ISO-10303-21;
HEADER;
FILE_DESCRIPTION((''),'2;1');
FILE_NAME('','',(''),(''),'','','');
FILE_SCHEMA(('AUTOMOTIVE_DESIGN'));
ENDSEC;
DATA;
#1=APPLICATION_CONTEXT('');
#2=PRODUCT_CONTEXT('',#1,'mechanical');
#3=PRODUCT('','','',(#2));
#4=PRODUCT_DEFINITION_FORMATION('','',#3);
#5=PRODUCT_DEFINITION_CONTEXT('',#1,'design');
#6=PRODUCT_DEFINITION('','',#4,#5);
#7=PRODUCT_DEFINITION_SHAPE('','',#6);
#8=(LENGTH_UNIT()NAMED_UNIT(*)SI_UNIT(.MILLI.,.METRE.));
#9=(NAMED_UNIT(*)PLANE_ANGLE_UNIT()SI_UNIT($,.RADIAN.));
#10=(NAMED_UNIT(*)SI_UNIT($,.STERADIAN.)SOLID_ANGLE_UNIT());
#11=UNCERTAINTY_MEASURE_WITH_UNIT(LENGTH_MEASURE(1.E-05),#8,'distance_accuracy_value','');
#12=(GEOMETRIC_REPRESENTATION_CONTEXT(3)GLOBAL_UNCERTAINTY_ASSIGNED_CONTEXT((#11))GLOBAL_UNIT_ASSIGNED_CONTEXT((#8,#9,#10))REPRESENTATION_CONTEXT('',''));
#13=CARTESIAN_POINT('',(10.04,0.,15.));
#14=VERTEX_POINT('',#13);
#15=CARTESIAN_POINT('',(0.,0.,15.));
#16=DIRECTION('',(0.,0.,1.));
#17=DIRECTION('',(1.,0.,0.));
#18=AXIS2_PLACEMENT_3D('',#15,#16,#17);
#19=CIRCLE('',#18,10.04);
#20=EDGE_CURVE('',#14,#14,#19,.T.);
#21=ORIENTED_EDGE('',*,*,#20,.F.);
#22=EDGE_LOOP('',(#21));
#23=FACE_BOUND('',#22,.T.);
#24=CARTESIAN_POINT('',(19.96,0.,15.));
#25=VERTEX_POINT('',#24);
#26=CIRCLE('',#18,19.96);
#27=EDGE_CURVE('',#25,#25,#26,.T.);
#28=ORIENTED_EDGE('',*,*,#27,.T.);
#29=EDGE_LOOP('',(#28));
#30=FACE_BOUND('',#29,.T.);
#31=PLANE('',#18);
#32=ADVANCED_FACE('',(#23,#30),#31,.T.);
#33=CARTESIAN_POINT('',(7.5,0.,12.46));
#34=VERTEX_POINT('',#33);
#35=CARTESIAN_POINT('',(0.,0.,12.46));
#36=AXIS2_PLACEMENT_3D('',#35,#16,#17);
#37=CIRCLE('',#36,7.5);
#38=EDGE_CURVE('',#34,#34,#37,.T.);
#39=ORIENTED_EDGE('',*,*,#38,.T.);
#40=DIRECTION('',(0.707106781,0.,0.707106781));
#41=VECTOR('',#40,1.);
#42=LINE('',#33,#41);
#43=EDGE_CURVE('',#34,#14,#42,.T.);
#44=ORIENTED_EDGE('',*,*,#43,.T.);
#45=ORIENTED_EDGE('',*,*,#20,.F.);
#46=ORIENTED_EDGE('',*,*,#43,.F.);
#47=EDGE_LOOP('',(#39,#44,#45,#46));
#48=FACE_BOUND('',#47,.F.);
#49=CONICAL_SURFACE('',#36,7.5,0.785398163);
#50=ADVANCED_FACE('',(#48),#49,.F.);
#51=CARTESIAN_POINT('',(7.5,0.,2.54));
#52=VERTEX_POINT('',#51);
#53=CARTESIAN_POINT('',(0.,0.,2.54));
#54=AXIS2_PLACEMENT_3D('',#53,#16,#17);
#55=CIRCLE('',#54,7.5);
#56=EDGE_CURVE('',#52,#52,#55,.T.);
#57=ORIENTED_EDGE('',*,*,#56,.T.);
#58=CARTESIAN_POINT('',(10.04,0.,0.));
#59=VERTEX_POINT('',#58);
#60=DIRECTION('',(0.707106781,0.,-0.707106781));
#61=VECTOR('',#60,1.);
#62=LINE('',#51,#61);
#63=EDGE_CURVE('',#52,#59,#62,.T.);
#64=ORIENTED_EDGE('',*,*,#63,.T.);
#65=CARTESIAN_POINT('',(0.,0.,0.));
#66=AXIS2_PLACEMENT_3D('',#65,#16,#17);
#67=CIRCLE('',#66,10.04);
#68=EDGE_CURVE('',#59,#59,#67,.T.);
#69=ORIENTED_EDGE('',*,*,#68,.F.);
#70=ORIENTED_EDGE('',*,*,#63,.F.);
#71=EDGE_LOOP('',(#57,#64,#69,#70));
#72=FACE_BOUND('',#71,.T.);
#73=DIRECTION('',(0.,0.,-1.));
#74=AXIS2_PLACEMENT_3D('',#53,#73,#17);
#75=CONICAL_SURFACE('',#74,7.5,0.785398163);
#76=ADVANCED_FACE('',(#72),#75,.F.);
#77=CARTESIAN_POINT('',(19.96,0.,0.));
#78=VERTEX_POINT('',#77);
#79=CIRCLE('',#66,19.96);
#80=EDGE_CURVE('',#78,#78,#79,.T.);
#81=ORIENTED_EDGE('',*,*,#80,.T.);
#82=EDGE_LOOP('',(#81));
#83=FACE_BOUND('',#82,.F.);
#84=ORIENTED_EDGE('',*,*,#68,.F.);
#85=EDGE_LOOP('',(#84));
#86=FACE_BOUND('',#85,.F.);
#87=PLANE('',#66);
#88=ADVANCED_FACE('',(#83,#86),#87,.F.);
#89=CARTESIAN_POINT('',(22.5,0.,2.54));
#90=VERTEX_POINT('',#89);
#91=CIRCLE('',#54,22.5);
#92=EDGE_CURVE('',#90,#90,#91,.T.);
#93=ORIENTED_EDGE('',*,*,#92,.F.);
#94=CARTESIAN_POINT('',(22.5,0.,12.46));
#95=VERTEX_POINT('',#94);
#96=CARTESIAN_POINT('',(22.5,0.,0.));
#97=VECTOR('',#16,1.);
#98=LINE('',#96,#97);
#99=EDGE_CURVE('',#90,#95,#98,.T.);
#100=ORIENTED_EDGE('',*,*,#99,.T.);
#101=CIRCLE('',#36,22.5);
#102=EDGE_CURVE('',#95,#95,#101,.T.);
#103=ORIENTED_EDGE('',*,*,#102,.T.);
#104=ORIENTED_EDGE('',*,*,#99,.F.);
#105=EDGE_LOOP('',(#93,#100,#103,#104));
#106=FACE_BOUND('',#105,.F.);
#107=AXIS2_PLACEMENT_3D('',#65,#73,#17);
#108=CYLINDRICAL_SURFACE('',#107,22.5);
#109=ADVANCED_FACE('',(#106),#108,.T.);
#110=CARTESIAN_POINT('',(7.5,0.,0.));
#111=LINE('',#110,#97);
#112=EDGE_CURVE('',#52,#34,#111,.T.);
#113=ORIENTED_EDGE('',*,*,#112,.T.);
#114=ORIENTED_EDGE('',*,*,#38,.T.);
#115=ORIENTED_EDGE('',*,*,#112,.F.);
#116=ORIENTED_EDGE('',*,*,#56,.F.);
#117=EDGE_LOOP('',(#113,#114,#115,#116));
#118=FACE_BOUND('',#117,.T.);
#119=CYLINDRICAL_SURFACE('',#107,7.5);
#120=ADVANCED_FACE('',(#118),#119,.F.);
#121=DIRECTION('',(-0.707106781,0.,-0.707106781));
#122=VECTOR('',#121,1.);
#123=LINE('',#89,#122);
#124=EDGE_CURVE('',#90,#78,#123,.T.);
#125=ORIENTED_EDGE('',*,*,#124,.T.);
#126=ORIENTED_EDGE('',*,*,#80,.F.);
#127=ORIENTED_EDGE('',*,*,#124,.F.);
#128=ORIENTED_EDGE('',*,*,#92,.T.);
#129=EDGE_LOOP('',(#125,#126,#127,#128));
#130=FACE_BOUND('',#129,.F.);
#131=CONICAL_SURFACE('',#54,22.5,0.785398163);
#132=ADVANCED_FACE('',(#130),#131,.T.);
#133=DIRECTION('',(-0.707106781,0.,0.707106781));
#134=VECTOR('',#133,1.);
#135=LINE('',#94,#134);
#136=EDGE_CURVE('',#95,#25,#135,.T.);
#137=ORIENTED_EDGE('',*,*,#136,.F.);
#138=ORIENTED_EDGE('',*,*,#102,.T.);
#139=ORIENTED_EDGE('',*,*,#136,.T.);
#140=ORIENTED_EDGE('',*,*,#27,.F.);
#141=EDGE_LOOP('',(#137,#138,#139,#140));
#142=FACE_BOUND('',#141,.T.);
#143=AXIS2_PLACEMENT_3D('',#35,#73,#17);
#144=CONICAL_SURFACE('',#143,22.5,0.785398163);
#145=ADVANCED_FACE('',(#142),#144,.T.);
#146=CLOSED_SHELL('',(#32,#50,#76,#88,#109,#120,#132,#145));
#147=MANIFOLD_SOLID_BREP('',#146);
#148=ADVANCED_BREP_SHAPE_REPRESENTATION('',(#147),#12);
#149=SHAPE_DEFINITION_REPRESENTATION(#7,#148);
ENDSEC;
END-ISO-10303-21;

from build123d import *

# Parameters (mm, degrees)
F0_R     = 22.5
F0_R_2   = 7.5
F1_DEPTH = 15
F2_SIZE2 = 2.54
F2_SIZE  = 2.54


with BuildPart() as f1:
    # F0 (on Top) → F1 (new body)
    with BuildSketch(Plane.XY):
        Circle(F0_R)
        Circle(F0_R_2, mode=Mode.SUBTRACT)
    extrude(amount=F1_DEPTH)

    # F2
    f2_edges = [f1.edges().sort_by_distance(p)[0] for p in [
        (-22.5, 0, 15),
        (-22.5, 0, 0),
        (-7.5, 0, 15),
        (-7.5, 0, 0),
    ]]
    chamfer(f2_edges, length=F2_SIZE, length2=F2_SIZE2)


solid = f1.part
